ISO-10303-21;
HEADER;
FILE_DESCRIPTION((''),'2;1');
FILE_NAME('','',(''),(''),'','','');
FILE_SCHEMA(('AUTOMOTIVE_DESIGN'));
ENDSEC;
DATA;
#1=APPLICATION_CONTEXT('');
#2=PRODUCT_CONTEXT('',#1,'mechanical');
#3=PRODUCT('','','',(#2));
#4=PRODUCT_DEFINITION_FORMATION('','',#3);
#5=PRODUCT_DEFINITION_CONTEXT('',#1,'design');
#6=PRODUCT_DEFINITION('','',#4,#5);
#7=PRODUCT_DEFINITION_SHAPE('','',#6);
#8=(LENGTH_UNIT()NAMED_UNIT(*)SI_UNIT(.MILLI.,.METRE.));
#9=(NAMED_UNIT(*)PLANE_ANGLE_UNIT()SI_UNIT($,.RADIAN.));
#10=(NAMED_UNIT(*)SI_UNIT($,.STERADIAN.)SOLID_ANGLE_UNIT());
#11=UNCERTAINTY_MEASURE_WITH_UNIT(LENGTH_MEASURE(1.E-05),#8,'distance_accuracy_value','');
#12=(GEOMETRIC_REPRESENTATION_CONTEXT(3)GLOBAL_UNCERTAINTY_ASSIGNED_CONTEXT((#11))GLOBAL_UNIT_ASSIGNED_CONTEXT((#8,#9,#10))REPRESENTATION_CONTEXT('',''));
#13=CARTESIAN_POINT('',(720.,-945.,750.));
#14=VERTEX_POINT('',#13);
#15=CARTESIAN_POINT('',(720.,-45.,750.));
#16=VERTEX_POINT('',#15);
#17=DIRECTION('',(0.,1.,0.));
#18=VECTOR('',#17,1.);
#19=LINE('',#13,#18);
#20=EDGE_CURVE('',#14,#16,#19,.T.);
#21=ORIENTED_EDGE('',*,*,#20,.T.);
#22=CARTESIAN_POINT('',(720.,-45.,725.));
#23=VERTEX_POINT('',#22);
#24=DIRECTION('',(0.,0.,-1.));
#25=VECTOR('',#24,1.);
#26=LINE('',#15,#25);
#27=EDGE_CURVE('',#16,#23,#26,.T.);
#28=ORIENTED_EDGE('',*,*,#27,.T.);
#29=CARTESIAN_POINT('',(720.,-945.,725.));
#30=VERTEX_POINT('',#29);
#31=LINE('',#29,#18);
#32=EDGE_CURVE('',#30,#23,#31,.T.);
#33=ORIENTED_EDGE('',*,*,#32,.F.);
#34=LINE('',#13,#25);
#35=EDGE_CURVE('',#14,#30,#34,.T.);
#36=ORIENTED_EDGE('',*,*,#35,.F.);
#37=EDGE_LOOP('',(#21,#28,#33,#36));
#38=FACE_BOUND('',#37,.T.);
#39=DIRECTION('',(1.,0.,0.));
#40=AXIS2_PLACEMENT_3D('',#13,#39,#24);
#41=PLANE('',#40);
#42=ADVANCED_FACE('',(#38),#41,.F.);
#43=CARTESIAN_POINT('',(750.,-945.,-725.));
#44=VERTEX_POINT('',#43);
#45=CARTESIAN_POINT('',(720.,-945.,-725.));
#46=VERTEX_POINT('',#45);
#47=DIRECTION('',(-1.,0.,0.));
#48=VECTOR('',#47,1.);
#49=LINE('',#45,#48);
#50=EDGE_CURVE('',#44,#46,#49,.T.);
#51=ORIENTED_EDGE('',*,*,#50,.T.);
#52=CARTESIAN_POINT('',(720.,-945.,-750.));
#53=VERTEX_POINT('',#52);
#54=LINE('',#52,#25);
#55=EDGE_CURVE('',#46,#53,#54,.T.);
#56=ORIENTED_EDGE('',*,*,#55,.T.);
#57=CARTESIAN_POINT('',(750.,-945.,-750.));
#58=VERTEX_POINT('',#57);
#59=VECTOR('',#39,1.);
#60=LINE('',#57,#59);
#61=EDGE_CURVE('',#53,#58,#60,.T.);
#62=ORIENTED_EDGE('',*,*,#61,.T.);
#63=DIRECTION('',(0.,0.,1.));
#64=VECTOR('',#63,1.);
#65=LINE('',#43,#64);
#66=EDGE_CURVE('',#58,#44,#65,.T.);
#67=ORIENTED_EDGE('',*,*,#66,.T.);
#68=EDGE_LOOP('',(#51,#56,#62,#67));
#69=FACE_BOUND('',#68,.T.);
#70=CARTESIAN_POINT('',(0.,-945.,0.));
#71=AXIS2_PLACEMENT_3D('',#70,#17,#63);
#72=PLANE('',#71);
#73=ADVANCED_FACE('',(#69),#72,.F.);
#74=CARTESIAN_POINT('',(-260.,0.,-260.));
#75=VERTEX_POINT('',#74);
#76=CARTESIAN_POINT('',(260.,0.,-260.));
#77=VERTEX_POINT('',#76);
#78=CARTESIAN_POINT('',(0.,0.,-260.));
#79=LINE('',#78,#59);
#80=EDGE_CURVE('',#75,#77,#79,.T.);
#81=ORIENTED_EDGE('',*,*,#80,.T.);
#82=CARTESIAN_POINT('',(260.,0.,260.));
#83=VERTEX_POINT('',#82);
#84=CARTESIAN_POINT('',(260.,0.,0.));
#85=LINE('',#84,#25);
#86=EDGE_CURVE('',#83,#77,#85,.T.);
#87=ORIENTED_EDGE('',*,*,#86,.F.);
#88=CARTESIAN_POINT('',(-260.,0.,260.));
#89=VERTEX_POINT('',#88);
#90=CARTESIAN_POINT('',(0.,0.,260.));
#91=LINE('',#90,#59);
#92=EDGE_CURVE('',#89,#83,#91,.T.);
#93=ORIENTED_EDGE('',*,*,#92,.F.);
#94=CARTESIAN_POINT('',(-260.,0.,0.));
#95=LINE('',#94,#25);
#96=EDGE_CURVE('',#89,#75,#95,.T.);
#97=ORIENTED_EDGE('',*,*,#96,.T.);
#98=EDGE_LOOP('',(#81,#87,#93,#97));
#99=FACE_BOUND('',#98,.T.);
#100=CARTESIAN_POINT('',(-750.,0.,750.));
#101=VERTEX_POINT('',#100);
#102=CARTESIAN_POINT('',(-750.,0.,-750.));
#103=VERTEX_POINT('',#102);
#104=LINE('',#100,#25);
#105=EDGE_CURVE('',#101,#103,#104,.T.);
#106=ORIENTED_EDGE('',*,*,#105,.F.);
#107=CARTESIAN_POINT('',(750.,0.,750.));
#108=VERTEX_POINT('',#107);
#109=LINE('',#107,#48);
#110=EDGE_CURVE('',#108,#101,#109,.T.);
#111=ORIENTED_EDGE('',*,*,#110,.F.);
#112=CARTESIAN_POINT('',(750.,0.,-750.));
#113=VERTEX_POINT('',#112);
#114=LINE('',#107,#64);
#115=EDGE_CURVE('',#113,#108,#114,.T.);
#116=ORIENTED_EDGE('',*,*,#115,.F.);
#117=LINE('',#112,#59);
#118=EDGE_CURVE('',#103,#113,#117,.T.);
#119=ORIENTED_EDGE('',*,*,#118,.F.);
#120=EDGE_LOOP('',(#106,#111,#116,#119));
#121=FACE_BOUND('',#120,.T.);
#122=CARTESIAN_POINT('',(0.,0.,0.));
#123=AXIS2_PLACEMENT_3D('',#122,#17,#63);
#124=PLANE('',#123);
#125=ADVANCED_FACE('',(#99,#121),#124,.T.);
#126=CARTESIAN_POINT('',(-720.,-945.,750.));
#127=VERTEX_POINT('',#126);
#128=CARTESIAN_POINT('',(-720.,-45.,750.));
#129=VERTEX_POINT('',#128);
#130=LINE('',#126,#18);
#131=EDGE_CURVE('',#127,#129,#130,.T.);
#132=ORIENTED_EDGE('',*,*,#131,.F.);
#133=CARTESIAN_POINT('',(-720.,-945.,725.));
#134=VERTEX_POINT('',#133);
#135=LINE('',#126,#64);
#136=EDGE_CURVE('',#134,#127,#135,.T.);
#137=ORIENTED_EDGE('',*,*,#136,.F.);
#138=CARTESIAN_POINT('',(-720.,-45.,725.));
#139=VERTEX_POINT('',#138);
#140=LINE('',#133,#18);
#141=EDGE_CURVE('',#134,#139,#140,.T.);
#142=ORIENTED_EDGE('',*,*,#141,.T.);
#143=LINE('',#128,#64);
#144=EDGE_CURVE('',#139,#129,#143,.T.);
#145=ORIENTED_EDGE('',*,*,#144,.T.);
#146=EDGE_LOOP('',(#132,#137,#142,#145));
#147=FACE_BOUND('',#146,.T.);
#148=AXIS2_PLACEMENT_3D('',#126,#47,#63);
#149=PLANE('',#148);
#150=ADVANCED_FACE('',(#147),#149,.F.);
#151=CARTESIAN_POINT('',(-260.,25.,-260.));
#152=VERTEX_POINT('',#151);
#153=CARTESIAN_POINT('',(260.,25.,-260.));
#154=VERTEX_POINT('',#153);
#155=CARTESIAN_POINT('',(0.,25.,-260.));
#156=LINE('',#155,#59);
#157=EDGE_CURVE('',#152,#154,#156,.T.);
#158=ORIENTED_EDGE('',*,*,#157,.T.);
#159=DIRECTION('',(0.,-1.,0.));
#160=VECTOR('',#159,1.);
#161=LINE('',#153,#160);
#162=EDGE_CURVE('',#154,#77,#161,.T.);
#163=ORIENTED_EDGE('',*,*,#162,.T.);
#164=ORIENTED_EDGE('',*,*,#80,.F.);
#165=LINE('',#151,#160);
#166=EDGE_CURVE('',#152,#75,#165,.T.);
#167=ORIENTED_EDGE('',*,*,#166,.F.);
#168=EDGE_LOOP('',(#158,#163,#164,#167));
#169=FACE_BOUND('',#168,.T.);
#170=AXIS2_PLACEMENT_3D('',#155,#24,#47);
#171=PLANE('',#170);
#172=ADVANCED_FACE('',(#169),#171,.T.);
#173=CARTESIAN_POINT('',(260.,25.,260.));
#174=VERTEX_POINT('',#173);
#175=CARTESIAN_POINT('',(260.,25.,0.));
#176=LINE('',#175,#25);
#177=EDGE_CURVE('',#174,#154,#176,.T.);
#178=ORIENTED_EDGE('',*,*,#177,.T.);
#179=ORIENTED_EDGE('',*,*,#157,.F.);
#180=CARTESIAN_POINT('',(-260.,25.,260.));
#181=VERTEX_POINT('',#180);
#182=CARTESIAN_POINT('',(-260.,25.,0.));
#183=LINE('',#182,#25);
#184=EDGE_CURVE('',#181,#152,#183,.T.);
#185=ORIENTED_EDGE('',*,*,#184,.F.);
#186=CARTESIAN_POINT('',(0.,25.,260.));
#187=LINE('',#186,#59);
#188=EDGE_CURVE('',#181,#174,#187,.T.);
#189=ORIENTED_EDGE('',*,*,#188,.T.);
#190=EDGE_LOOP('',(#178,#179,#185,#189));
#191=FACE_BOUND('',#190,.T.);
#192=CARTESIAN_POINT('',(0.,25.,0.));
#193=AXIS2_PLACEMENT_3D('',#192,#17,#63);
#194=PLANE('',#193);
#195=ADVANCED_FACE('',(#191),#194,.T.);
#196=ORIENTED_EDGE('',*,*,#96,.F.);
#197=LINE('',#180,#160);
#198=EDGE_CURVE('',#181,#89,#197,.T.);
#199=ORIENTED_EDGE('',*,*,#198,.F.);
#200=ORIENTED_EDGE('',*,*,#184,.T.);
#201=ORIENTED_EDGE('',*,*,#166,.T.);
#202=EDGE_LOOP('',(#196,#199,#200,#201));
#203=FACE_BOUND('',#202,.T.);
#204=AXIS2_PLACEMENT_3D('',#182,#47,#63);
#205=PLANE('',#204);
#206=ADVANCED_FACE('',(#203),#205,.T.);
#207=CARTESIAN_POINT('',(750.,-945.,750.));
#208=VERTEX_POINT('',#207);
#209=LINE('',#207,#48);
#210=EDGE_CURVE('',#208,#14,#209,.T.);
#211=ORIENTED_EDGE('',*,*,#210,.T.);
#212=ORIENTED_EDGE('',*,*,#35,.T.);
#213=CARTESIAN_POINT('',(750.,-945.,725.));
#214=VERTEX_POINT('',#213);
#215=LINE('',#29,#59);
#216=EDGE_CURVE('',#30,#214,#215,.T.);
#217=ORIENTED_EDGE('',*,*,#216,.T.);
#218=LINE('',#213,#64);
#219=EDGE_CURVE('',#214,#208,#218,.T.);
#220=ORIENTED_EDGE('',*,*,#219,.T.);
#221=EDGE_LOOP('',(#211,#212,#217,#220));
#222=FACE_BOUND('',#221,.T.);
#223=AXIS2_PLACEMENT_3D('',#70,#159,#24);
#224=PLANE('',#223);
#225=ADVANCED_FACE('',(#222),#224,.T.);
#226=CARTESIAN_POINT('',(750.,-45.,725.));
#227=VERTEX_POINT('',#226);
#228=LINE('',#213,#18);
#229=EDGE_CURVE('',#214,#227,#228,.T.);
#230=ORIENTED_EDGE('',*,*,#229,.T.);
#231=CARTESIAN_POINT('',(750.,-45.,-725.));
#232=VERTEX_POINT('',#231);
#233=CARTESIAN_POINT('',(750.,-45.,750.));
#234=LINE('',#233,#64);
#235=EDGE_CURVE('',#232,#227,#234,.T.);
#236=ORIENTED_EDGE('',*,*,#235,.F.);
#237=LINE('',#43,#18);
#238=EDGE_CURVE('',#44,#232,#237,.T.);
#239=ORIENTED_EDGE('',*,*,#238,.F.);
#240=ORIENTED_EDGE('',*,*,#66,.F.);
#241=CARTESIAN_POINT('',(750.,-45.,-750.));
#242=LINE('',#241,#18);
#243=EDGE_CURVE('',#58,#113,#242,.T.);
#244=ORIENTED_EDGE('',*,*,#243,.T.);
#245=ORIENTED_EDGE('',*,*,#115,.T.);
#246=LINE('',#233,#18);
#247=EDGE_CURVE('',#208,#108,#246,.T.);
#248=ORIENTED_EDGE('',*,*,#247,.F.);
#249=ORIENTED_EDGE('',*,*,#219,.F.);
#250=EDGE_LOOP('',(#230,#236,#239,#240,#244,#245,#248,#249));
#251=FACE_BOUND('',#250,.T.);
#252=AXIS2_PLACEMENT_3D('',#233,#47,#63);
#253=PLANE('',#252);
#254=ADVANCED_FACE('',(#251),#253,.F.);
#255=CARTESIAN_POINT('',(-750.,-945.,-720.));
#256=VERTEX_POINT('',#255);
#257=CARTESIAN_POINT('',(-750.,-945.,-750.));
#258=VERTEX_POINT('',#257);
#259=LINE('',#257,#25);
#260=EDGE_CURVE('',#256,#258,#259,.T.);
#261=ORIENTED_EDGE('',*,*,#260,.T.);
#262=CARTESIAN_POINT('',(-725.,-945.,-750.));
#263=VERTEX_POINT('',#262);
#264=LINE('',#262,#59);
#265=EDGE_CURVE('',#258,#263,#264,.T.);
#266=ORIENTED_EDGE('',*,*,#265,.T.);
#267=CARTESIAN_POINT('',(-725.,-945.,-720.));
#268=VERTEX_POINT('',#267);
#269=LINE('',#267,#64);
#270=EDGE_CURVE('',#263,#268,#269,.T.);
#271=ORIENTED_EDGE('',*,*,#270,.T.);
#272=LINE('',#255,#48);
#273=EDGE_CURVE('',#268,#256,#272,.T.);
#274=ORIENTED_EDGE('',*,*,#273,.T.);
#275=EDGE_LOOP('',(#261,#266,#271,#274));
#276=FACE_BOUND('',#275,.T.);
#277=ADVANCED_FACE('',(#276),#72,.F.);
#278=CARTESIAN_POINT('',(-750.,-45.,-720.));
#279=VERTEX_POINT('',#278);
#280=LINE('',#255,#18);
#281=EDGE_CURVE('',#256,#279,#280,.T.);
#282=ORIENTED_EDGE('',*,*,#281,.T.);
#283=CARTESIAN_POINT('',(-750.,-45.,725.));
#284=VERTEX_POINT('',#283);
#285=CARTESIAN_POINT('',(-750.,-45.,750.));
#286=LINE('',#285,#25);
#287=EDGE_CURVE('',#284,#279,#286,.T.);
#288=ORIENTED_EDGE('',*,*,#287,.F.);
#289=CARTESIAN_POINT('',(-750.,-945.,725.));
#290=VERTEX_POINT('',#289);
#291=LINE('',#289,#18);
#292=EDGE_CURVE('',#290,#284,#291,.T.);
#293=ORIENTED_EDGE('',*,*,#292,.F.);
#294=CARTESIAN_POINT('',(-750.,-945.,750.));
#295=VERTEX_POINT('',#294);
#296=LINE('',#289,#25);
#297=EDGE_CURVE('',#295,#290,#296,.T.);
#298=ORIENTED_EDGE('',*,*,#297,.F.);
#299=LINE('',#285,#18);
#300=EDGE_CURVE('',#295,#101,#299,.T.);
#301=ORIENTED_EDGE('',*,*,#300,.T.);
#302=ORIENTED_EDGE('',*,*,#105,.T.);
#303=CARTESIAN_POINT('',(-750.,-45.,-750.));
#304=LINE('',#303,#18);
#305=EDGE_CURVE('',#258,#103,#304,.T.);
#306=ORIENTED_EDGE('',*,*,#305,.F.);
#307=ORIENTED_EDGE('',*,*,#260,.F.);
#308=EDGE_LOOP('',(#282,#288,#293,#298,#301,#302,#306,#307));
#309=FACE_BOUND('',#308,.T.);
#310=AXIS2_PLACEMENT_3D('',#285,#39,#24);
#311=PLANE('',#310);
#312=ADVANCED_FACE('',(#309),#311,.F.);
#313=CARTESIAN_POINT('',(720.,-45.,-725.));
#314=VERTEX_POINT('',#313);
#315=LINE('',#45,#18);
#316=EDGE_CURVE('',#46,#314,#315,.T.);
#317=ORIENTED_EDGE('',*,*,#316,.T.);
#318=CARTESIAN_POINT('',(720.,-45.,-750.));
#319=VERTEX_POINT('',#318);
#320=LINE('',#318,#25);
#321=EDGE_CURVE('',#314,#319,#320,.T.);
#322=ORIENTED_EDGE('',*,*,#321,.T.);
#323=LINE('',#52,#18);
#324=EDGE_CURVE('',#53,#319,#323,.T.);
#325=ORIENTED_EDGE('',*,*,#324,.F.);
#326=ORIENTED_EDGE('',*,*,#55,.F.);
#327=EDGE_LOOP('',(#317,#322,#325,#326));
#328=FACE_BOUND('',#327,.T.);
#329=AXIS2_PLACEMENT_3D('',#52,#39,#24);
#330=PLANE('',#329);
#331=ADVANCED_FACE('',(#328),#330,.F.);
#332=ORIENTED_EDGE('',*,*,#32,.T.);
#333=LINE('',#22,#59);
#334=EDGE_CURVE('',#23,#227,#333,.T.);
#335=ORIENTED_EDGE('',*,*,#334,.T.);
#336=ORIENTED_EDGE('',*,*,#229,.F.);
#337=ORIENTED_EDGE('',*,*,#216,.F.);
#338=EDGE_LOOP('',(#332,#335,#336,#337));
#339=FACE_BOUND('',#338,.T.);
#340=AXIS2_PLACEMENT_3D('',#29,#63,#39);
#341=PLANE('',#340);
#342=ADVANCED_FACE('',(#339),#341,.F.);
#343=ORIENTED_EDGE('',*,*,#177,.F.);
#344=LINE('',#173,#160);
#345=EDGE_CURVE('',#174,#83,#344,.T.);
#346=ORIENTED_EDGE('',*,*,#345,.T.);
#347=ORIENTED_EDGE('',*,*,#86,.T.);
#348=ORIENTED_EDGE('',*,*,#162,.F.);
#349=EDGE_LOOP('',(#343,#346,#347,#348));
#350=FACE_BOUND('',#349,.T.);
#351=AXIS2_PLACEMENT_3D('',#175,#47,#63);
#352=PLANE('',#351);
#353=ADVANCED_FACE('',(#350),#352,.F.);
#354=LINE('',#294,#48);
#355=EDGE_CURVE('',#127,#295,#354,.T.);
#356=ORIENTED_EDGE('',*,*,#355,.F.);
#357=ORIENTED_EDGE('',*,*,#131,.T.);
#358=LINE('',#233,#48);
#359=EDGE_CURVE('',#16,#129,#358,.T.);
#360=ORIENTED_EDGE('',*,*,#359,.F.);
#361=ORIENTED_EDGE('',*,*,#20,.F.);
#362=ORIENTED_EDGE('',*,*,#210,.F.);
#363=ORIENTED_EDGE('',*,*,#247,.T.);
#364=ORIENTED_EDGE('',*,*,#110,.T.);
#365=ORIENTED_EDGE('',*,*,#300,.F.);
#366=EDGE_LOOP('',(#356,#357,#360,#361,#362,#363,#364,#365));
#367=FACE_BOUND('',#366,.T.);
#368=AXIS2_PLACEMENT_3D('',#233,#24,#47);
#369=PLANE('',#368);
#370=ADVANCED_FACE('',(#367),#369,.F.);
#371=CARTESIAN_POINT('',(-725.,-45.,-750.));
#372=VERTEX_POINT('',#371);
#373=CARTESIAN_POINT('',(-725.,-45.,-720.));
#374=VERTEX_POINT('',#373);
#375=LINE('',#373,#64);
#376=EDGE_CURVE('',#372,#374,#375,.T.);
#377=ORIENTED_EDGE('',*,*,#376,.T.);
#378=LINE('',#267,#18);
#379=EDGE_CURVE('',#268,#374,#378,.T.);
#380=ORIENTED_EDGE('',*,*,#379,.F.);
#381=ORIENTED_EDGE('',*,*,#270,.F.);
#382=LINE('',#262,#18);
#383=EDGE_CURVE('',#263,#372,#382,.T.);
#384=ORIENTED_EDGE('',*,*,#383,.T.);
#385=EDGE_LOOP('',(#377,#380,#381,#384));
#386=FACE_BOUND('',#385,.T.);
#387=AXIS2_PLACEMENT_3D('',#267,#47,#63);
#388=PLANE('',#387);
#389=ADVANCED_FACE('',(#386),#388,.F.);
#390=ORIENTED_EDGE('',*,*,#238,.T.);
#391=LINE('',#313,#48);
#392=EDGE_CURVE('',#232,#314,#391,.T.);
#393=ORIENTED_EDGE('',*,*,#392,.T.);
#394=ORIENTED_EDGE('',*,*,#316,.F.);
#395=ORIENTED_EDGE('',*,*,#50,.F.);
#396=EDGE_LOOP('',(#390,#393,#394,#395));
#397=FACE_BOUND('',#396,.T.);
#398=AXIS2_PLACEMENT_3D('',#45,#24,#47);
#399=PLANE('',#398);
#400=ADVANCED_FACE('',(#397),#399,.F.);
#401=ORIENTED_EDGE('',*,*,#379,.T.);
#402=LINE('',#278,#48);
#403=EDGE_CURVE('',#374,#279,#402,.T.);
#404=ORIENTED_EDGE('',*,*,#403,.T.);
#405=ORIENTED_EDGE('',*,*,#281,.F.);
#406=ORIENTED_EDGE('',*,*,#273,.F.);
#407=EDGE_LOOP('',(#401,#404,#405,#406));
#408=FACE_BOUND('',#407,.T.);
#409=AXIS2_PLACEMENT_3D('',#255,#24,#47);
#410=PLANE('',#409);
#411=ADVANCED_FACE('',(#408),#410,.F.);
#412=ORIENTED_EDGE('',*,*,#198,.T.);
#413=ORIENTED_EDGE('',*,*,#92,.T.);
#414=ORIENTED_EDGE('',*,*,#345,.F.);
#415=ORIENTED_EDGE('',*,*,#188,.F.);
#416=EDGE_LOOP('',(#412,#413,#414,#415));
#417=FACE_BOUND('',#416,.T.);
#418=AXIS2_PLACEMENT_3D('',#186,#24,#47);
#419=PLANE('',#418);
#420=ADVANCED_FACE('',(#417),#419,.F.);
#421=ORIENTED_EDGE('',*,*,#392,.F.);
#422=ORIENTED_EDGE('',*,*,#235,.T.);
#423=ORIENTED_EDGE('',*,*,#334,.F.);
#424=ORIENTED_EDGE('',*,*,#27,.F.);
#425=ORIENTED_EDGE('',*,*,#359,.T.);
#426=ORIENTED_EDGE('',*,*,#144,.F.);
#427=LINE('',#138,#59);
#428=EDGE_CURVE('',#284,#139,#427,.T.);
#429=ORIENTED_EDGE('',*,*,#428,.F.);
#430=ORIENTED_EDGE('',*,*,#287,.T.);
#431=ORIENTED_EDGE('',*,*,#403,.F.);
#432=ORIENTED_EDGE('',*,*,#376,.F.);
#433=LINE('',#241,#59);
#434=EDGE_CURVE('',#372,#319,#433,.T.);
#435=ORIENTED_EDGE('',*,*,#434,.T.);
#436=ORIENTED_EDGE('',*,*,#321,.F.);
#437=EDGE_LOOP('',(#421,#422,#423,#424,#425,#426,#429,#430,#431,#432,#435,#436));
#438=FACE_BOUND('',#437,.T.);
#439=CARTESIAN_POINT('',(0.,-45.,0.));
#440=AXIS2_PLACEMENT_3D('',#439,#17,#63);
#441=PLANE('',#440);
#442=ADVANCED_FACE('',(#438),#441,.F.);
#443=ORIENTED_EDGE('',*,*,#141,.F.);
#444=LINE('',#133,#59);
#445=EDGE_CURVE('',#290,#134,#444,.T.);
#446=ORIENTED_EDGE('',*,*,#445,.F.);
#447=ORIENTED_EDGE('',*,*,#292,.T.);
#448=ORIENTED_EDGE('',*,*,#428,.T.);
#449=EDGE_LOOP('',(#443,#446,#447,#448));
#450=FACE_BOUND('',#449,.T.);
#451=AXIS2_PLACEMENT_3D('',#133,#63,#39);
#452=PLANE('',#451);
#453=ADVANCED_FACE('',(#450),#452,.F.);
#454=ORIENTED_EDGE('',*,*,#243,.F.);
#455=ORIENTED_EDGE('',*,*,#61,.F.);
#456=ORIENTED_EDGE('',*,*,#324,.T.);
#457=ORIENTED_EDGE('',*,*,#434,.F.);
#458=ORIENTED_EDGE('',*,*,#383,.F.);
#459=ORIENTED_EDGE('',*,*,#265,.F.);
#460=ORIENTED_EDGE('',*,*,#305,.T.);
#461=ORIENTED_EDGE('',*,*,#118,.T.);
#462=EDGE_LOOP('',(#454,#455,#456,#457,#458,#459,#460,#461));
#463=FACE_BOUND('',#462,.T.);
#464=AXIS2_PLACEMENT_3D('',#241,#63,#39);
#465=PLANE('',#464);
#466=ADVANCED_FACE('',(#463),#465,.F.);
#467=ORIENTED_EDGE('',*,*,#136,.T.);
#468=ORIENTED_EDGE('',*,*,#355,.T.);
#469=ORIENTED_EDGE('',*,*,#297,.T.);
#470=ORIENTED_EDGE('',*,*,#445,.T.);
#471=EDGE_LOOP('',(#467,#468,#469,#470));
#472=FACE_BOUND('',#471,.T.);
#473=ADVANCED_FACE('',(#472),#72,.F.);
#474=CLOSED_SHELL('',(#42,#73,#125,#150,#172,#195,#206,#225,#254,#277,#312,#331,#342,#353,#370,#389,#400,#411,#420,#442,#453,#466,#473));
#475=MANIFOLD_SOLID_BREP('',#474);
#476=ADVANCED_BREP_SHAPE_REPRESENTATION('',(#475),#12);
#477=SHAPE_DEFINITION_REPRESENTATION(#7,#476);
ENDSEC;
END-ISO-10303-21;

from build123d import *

# Parameters (mm, degrees)
SKETCH1_W           = 520
SKETCH1_H           = 520
BOSS_EXTRUDE1_DEPTH = 25
SKETCH2_W           = 1500
SKETCH2_H           = 1500
BOSS_EXTRUDE2_DEPTH = 45
SKETCH3_W           = 30
SKETCH3_H           = 25
BOSS_EXTRUDE3_DEPTH = 900
SKETCH4_W           = 30
SKETCH4_H           = 25
BOSS_EXTRUDE4_DEPTH = 900
SKETCH5_W           = 30
SKETCH5_H           = 25
BOSS_EXTRUDE5_DEPTH = 900
SKETCH6_W           = 25
SKETCH6_H           = 30
BOSS_EXTRUDE6_DEPTH = 900


with BuildPart() as part:
    # Sketch1 → Boss-Extrude1 (new body)
    with BuildSketch(Plane(origin=(0, 0, 0), x_dir=(1, 0, 0), z_dir=(0, 1, 0))):
        Rectangle(SKETCH1_W, SKETCH1_H)
    extrude(amount=BOSS_EXTRUDE1_DEPTH)

    # Sketch2 → Boss-Extrude2 (add)
    with BuildSketch(Plane.XZ):
        Rectangle(SKETCH2_W, SKETCH2_H)
    extrude(amount=BOSS_EXTRUDE2_DEPTH)

    # Sketch3 → Boss-Extrude3 (add)
    with BuildSketch(Plane.XZ.offset(45)):
        with Locations((735, 737.5)):
            Rectangle(SKETCH3_W, SKETCH3_H)
    extrude(amount=BOSS_EXTRUDE3_DEPTH)

    # Sketch4 → Boss-Extrude4 (add)
    with BuildSketch(Plane.XZ.offset(45)):
        with Locations((-735, 737.5)):
            Rectangle(SKETCH4_W, SKETCH4_H)
    extrude(amount=BOSS_EXTRUDE4_DEPTH)

    # Sketch5 → Boss-Extrude5 (add)
    with BuildSketch(Plane.XZ.offset(45)):
        with Locations((735, -737.5)):
            Rectangle(SKETCH5_W, SKETCH5_H)
    extrude(amount=BOSS_EXTRUDE5_DEPTH)

    # Sketch6 → Boss-Extrude6 (add)
    with BuildSketch(Plane.XZ.offset(45)):
        with Locations((-737.5, -735)):
            Rectangle(SKETCH6_W, SKETCH6_H)
    extrude(amount=BOSS_EXTRUDE6_DEPTH)


solid = part.part
